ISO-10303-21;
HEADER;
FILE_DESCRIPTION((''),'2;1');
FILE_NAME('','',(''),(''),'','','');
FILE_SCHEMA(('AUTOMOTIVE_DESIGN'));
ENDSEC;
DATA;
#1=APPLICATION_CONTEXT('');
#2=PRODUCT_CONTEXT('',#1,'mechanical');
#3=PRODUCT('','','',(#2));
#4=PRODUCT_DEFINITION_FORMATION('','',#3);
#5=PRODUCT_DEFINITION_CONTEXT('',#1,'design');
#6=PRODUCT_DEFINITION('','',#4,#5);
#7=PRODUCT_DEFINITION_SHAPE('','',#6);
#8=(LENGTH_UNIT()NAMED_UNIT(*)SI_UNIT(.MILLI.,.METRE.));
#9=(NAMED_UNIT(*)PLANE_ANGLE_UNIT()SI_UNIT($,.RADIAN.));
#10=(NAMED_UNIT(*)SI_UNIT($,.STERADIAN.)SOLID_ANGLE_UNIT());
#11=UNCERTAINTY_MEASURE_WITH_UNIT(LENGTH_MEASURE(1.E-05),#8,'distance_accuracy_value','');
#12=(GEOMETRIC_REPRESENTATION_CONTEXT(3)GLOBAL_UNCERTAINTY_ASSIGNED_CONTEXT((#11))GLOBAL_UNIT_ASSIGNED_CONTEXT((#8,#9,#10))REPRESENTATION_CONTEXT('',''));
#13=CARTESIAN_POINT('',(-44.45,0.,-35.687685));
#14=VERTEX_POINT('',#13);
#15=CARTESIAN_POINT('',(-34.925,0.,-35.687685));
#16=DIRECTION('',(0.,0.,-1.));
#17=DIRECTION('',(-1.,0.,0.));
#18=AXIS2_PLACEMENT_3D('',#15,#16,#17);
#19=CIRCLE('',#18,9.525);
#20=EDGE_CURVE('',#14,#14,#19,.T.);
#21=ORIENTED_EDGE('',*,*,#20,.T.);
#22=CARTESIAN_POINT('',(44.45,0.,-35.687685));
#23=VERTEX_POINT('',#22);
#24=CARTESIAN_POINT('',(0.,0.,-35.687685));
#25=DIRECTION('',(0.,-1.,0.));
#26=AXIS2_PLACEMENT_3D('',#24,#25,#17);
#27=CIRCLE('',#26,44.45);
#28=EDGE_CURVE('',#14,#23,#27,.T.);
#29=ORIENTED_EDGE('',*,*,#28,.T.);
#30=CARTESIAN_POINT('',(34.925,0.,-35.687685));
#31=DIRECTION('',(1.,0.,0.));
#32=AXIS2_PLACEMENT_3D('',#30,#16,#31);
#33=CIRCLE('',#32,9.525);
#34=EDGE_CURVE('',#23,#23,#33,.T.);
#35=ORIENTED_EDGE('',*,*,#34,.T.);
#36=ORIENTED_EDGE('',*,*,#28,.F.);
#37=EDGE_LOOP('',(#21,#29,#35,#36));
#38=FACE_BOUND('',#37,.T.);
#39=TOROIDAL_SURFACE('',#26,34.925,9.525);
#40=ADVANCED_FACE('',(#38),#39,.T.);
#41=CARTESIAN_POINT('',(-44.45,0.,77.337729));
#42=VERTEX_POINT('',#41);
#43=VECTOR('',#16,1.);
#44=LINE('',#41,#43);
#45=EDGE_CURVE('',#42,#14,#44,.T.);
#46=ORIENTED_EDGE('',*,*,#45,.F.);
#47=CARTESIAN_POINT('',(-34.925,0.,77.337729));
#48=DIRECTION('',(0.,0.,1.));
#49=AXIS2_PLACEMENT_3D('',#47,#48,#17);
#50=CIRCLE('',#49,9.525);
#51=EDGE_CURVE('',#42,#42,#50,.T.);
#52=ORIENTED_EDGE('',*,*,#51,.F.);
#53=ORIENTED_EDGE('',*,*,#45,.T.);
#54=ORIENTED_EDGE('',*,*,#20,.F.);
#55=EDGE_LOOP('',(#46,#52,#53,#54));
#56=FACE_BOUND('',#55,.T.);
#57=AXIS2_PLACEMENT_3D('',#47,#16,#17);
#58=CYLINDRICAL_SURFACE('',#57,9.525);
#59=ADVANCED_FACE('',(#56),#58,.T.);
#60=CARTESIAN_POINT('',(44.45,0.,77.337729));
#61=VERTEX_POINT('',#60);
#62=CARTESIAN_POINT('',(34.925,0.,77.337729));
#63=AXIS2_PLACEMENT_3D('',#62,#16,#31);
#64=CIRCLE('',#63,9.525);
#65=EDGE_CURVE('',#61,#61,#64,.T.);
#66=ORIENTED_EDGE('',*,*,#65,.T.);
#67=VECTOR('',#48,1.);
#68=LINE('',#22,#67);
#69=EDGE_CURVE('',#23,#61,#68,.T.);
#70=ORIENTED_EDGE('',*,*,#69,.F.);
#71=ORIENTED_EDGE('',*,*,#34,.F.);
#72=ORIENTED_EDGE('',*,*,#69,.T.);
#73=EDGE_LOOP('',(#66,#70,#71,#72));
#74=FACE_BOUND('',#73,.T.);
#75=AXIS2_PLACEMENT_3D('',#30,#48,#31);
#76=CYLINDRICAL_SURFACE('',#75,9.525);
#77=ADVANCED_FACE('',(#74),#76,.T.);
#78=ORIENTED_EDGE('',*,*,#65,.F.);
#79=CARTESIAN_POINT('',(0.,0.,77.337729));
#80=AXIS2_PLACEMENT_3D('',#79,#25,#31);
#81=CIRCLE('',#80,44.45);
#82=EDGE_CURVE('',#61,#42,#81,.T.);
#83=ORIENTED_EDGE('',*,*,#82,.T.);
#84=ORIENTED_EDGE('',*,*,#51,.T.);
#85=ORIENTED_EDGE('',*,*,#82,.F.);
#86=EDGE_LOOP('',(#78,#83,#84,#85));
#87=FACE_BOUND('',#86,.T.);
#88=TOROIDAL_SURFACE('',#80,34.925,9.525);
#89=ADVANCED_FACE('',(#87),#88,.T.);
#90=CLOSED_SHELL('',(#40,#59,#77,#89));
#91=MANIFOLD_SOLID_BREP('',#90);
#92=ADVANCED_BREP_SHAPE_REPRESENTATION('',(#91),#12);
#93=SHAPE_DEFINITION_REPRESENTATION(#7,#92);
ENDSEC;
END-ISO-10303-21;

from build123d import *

# Parameters (mm, degrees)
F1_R = 9.525


with BuildPart() as f2:
    # F2: sweep along a path in F0
    with BuildLine(Plane.XZ) as f2_path:
        Line((25.4, 0), (25.4, 77.337729))
        ThreePointArc((25.4, 77.337729), (0, 102.737729), (-25.4, 77.337729))
        Line((-25.4, 77.337729), (-25.4, 0))
        Line((-25.4, 0), (-25.4, -35.687685))
        ThreePointArc((-25.4, -35.687685), (0, -61.087685), (25.4, -35.687685))
        Line((25.4, -35.687685), (25.4, 0))
    # F1 (on Top) → F2 (sweep)
    with BuildSketch(Plane.XY):
        with Locations((34.925, 0)):
            Circle(F1_R)
    sweep(path=f2_path.line)


solid = f2.part
